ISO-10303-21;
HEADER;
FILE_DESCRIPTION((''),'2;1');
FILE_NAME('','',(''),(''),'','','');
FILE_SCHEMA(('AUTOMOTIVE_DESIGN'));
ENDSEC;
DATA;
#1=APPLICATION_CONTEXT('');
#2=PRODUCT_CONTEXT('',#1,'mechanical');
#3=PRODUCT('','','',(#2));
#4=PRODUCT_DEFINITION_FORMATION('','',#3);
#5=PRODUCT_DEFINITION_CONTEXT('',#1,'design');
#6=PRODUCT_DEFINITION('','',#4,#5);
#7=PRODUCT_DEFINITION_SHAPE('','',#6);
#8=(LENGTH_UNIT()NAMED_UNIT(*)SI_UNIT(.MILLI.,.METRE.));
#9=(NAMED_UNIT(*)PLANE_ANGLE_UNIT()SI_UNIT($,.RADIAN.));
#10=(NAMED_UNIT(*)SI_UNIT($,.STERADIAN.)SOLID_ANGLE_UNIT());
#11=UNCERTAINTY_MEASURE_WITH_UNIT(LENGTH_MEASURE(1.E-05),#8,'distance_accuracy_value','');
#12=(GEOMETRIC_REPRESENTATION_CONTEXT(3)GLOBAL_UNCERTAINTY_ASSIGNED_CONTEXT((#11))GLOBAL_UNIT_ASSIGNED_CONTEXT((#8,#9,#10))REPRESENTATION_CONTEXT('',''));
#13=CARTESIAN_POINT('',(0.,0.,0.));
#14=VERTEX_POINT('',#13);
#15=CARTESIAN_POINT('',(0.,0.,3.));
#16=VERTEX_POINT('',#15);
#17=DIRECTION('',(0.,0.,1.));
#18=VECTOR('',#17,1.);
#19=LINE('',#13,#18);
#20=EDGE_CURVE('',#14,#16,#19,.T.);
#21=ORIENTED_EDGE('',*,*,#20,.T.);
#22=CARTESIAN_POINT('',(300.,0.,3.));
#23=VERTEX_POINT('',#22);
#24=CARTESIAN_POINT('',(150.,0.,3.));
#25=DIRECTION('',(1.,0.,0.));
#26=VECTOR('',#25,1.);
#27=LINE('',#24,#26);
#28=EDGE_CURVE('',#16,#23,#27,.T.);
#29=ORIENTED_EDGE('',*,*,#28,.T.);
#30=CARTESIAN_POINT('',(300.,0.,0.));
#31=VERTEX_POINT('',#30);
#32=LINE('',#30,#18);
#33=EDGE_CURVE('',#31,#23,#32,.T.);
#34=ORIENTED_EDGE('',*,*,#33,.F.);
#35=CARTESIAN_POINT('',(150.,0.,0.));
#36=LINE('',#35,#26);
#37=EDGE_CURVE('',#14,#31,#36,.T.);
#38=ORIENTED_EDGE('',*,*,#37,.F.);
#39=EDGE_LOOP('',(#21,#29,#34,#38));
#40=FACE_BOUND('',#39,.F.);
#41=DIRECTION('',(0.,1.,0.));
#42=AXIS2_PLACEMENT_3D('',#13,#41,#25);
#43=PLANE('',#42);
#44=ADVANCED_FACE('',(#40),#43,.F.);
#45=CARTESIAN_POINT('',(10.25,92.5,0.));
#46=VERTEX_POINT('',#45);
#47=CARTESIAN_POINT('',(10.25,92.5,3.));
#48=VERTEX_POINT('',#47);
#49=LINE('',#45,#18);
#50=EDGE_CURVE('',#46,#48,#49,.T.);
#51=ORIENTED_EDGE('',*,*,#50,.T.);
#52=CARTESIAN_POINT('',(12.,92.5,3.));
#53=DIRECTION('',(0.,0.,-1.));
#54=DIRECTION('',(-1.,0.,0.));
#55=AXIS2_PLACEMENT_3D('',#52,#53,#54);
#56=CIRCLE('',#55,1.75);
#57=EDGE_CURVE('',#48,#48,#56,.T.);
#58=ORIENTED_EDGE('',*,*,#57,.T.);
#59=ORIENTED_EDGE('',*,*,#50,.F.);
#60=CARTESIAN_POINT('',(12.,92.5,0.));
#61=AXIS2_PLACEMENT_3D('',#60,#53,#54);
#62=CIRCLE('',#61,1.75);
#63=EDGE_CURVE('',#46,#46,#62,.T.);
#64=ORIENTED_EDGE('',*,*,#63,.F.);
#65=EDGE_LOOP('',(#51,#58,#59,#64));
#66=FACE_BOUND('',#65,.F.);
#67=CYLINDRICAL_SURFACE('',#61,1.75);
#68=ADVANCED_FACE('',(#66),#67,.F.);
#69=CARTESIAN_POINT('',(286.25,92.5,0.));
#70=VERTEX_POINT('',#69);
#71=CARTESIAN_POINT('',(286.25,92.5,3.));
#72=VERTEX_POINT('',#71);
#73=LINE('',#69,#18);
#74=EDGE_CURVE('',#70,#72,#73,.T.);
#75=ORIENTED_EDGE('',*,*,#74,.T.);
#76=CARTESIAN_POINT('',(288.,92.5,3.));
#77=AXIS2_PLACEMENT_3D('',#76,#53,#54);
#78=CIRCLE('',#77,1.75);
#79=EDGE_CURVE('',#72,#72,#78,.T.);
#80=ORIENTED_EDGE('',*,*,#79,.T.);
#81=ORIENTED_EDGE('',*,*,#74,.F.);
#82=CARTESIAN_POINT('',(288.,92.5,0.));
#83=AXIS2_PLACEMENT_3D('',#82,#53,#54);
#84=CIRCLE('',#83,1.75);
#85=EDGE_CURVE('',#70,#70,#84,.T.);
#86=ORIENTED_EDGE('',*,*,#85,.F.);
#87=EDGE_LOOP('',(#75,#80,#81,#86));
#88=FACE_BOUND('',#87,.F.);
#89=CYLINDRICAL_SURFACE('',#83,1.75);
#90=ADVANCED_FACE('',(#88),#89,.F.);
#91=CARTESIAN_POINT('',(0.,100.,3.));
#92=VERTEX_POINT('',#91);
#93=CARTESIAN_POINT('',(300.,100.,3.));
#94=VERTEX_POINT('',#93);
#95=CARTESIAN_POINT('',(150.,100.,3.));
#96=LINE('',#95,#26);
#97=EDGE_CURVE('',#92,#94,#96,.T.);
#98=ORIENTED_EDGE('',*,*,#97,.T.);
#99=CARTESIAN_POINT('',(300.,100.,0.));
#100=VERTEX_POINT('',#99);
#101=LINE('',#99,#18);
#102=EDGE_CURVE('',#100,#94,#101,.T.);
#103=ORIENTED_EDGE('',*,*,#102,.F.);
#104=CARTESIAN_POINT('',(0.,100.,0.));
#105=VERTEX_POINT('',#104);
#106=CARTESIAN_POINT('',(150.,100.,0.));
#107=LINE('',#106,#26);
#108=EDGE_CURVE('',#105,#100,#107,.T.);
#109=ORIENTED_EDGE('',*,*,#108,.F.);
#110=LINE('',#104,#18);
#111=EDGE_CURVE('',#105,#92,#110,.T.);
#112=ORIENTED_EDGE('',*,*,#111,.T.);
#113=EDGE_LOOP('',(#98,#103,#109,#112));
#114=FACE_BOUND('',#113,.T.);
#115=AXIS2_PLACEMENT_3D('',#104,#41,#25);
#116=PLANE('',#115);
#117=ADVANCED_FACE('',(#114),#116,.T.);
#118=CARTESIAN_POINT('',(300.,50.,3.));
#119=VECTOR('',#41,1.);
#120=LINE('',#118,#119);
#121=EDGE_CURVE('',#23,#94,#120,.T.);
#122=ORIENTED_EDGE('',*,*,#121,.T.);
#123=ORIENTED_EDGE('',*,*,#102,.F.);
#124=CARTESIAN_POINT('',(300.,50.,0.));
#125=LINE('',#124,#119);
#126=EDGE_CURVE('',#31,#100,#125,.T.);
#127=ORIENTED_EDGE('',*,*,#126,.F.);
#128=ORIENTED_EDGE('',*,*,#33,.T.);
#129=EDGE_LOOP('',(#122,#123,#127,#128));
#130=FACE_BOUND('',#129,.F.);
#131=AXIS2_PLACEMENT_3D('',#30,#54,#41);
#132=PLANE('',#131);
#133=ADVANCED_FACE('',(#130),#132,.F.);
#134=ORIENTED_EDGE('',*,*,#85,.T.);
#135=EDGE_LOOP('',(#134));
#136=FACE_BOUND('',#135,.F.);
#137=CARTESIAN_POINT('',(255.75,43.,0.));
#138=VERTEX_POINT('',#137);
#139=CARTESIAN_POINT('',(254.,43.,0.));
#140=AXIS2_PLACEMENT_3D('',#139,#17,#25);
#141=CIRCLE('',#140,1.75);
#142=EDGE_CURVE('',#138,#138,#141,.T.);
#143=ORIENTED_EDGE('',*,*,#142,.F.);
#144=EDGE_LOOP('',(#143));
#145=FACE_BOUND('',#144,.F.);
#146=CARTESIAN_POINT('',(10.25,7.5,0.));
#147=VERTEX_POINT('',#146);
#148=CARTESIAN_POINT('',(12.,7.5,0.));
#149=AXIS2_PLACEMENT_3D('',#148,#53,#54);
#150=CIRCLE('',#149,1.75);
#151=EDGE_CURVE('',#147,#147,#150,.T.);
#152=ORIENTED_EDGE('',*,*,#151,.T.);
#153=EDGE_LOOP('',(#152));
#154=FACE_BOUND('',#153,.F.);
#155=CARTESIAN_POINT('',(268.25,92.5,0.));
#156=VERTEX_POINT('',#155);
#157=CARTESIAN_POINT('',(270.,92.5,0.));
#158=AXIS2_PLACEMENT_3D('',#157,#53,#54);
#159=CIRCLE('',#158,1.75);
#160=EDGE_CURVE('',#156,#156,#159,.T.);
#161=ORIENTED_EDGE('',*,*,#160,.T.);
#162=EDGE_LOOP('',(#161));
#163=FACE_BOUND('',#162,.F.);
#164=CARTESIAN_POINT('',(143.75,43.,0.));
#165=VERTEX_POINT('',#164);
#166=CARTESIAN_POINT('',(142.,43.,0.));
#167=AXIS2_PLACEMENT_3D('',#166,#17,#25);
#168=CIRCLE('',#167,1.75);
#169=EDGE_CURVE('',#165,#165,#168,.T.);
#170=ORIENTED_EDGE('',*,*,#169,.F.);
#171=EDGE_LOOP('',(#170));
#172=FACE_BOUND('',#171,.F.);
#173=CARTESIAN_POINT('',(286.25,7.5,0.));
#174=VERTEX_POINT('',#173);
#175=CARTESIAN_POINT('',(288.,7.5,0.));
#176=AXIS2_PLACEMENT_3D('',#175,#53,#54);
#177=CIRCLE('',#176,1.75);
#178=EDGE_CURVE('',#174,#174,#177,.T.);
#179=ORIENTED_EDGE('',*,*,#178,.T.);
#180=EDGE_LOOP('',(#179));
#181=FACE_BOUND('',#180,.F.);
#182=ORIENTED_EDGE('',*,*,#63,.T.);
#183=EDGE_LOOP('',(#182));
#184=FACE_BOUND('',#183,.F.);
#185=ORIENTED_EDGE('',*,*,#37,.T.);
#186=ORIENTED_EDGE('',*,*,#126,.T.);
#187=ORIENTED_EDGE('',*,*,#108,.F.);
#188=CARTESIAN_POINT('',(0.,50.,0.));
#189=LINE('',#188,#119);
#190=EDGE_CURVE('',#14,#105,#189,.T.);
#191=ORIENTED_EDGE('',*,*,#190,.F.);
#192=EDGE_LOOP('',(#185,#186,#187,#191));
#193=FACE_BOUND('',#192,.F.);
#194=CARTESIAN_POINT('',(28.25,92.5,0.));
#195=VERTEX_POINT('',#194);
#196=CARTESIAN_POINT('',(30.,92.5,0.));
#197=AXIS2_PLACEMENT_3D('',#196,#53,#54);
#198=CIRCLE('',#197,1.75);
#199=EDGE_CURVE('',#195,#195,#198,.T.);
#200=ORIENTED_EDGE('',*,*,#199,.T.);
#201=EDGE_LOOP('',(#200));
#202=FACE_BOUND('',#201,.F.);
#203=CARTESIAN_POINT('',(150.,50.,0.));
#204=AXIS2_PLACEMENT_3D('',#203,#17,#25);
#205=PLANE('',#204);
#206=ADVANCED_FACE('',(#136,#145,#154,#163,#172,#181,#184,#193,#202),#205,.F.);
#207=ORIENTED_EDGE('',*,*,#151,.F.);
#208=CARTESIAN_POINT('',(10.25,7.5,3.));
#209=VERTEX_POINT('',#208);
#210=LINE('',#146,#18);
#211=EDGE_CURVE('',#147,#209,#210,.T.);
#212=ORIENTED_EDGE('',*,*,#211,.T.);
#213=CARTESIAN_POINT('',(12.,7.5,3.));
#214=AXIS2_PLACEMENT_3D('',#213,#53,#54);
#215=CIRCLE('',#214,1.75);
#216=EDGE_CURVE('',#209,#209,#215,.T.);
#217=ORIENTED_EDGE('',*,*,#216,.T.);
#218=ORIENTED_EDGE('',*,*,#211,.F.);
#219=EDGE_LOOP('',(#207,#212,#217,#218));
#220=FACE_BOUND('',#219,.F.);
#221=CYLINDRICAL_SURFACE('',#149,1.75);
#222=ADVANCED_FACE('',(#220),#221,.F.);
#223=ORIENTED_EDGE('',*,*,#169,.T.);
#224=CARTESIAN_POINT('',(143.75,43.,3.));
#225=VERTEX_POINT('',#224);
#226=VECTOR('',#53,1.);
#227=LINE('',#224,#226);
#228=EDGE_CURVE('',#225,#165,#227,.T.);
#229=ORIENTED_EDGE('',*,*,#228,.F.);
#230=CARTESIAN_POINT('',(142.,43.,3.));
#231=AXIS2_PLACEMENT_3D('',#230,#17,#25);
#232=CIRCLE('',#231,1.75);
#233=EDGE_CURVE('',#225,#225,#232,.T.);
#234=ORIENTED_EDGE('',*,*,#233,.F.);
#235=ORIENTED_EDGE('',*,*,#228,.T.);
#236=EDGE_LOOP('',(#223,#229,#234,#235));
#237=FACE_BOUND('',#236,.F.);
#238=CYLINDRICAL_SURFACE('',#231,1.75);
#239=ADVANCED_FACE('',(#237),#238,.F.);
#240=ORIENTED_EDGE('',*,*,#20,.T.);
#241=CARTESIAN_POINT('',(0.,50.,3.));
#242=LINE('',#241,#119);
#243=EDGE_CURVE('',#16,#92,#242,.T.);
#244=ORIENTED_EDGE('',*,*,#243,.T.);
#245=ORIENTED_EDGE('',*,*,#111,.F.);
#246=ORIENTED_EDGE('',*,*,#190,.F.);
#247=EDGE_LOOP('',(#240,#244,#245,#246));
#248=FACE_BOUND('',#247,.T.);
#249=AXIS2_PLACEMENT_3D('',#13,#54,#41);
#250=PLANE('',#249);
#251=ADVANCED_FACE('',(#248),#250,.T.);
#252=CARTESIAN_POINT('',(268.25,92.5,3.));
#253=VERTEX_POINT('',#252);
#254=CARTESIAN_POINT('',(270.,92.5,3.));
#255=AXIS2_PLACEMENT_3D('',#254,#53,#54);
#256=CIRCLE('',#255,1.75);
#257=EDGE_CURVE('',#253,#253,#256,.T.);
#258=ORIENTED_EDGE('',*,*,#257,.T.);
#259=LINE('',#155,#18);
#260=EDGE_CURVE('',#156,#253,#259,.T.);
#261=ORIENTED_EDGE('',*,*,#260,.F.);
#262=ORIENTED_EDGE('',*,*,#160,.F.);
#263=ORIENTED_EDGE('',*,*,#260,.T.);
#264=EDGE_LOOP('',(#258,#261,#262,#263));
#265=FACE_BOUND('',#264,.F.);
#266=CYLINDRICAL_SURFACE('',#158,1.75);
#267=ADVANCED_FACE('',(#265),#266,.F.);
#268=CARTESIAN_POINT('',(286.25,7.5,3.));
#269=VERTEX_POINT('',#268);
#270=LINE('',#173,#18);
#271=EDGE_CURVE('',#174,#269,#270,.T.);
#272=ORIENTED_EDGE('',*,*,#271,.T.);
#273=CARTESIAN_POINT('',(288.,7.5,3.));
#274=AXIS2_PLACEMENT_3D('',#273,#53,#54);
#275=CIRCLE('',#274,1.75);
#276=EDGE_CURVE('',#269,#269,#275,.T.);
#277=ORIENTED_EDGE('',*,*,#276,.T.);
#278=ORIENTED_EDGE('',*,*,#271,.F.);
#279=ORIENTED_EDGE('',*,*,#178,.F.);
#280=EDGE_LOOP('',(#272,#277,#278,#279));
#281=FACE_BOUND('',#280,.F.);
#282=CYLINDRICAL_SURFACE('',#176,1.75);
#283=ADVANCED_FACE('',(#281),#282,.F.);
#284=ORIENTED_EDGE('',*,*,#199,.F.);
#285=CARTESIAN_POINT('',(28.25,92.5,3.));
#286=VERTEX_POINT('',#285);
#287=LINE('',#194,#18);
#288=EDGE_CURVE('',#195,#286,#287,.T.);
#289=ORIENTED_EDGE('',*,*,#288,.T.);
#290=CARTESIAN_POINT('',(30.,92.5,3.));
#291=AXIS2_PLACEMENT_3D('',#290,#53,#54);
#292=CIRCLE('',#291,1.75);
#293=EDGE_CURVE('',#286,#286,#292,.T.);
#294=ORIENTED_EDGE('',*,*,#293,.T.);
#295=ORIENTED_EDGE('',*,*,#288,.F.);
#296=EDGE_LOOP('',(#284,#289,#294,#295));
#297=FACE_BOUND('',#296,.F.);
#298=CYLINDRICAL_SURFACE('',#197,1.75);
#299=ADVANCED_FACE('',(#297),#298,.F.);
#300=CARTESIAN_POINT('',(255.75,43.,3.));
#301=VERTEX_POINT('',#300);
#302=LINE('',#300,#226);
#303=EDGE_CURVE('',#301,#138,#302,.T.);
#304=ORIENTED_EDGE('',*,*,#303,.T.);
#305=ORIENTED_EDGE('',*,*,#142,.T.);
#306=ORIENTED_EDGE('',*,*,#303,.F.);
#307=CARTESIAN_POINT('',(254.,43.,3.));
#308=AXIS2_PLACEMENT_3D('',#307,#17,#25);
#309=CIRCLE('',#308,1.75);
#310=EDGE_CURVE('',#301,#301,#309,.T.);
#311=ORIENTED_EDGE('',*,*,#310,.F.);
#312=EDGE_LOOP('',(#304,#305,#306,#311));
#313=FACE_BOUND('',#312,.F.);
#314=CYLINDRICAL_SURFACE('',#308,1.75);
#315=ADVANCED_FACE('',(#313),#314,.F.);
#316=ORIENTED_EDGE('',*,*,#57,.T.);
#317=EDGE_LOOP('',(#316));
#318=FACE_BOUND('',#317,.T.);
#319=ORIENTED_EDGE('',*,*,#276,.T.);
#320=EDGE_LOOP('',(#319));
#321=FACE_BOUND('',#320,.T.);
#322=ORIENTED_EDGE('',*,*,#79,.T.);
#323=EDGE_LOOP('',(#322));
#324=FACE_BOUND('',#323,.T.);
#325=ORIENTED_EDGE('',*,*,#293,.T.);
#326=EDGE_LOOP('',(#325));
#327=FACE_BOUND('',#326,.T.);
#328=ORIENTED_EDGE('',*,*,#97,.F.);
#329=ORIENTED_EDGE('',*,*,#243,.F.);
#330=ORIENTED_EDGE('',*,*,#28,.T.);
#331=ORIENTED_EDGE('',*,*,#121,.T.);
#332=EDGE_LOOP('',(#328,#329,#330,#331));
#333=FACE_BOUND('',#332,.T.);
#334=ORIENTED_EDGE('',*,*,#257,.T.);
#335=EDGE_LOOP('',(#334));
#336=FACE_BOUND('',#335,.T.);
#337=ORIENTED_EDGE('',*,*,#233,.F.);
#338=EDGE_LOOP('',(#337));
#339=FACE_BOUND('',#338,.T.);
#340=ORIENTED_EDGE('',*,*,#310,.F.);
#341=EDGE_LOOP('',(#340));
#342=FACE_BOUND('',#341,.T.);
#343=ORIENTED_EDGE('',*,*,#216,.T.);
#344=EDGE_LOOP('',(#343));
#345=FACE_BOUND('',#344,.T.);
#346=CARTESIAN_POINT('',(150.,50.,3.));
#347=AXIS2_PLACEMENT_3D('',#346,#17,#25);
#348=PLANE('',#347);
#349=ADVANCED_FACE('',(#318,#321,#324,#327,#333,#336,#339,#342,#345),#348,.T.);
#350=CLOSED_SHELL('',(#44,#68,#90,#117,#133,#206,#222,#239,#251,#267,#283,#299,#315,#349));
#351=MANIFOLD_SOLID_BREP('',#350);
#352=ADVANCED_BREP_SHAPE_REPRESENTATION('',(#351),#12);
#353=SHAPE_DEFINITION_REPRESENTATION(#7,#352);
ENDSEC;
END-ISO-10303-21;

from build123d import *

# Parameters (mm, degrees)
SKETCH1_W           = 300
SKETCH1_H           = 100
BOSS_EXTRUDE1_DEPTH = 3
SKETCH6_R           = 1.75
CUT_EXTRUDE5_DEPTH  = 30
SKETCH7_R           = 1.75
CUT_EXTRUDE6_DEPTH  = 10


with BuildPart() as part:
    # Sketch1 → Boss-Extrude1 (new body)
    with BuildSketch(Plane.XY):
        with Locations((150, 50)):
            Rectangle(SKETCH1_W, SKETCH1_H)
    extrude(amount=BOSS_EXTRUDE1_DEPTH)

    # Sketch6 → Cut-Extrude5 (cut)
    with BuildSketch(Plane.XY.offset(3)):
        with Locations((142, 43)):
            Circle(SKETCH6_R)
        with Locations((254, 43)):
            Circle(SKETCH6_R)
    extrude(amount=-CUT_EXTRUDE5_DEPTH, mode=Mode.SUBTRACT)

    # Sketch7 → Cut-Extrude6 (cut)
    with BuildSketch(Plane(origin=(0, 0, 0), x_dir=(-1, 0, 0), z_dir=(0, 0, -1))):
        with Locations((-288, 92.5)):
            Circle(SKETCH7_R)
        with Locations((-270, 92.5)):
            Circle(SKETCH7_R)
        with Locations((-288, 7.5)):
            Circle(SKETCH7_R)
        with Locations((-12, 7.5)):
            Circle(SKETCH7_R)
        with Locations((-12, 92.5)):
            Circle(SKETCH7_R)
        with Locations((-30, 92.5)):
            Circle(SKETCH7_R)
    extrude(amount=-CUT_EXTRUDE6_DEPTH, mode=Mode.SUBTRACT)


solid = part.part
